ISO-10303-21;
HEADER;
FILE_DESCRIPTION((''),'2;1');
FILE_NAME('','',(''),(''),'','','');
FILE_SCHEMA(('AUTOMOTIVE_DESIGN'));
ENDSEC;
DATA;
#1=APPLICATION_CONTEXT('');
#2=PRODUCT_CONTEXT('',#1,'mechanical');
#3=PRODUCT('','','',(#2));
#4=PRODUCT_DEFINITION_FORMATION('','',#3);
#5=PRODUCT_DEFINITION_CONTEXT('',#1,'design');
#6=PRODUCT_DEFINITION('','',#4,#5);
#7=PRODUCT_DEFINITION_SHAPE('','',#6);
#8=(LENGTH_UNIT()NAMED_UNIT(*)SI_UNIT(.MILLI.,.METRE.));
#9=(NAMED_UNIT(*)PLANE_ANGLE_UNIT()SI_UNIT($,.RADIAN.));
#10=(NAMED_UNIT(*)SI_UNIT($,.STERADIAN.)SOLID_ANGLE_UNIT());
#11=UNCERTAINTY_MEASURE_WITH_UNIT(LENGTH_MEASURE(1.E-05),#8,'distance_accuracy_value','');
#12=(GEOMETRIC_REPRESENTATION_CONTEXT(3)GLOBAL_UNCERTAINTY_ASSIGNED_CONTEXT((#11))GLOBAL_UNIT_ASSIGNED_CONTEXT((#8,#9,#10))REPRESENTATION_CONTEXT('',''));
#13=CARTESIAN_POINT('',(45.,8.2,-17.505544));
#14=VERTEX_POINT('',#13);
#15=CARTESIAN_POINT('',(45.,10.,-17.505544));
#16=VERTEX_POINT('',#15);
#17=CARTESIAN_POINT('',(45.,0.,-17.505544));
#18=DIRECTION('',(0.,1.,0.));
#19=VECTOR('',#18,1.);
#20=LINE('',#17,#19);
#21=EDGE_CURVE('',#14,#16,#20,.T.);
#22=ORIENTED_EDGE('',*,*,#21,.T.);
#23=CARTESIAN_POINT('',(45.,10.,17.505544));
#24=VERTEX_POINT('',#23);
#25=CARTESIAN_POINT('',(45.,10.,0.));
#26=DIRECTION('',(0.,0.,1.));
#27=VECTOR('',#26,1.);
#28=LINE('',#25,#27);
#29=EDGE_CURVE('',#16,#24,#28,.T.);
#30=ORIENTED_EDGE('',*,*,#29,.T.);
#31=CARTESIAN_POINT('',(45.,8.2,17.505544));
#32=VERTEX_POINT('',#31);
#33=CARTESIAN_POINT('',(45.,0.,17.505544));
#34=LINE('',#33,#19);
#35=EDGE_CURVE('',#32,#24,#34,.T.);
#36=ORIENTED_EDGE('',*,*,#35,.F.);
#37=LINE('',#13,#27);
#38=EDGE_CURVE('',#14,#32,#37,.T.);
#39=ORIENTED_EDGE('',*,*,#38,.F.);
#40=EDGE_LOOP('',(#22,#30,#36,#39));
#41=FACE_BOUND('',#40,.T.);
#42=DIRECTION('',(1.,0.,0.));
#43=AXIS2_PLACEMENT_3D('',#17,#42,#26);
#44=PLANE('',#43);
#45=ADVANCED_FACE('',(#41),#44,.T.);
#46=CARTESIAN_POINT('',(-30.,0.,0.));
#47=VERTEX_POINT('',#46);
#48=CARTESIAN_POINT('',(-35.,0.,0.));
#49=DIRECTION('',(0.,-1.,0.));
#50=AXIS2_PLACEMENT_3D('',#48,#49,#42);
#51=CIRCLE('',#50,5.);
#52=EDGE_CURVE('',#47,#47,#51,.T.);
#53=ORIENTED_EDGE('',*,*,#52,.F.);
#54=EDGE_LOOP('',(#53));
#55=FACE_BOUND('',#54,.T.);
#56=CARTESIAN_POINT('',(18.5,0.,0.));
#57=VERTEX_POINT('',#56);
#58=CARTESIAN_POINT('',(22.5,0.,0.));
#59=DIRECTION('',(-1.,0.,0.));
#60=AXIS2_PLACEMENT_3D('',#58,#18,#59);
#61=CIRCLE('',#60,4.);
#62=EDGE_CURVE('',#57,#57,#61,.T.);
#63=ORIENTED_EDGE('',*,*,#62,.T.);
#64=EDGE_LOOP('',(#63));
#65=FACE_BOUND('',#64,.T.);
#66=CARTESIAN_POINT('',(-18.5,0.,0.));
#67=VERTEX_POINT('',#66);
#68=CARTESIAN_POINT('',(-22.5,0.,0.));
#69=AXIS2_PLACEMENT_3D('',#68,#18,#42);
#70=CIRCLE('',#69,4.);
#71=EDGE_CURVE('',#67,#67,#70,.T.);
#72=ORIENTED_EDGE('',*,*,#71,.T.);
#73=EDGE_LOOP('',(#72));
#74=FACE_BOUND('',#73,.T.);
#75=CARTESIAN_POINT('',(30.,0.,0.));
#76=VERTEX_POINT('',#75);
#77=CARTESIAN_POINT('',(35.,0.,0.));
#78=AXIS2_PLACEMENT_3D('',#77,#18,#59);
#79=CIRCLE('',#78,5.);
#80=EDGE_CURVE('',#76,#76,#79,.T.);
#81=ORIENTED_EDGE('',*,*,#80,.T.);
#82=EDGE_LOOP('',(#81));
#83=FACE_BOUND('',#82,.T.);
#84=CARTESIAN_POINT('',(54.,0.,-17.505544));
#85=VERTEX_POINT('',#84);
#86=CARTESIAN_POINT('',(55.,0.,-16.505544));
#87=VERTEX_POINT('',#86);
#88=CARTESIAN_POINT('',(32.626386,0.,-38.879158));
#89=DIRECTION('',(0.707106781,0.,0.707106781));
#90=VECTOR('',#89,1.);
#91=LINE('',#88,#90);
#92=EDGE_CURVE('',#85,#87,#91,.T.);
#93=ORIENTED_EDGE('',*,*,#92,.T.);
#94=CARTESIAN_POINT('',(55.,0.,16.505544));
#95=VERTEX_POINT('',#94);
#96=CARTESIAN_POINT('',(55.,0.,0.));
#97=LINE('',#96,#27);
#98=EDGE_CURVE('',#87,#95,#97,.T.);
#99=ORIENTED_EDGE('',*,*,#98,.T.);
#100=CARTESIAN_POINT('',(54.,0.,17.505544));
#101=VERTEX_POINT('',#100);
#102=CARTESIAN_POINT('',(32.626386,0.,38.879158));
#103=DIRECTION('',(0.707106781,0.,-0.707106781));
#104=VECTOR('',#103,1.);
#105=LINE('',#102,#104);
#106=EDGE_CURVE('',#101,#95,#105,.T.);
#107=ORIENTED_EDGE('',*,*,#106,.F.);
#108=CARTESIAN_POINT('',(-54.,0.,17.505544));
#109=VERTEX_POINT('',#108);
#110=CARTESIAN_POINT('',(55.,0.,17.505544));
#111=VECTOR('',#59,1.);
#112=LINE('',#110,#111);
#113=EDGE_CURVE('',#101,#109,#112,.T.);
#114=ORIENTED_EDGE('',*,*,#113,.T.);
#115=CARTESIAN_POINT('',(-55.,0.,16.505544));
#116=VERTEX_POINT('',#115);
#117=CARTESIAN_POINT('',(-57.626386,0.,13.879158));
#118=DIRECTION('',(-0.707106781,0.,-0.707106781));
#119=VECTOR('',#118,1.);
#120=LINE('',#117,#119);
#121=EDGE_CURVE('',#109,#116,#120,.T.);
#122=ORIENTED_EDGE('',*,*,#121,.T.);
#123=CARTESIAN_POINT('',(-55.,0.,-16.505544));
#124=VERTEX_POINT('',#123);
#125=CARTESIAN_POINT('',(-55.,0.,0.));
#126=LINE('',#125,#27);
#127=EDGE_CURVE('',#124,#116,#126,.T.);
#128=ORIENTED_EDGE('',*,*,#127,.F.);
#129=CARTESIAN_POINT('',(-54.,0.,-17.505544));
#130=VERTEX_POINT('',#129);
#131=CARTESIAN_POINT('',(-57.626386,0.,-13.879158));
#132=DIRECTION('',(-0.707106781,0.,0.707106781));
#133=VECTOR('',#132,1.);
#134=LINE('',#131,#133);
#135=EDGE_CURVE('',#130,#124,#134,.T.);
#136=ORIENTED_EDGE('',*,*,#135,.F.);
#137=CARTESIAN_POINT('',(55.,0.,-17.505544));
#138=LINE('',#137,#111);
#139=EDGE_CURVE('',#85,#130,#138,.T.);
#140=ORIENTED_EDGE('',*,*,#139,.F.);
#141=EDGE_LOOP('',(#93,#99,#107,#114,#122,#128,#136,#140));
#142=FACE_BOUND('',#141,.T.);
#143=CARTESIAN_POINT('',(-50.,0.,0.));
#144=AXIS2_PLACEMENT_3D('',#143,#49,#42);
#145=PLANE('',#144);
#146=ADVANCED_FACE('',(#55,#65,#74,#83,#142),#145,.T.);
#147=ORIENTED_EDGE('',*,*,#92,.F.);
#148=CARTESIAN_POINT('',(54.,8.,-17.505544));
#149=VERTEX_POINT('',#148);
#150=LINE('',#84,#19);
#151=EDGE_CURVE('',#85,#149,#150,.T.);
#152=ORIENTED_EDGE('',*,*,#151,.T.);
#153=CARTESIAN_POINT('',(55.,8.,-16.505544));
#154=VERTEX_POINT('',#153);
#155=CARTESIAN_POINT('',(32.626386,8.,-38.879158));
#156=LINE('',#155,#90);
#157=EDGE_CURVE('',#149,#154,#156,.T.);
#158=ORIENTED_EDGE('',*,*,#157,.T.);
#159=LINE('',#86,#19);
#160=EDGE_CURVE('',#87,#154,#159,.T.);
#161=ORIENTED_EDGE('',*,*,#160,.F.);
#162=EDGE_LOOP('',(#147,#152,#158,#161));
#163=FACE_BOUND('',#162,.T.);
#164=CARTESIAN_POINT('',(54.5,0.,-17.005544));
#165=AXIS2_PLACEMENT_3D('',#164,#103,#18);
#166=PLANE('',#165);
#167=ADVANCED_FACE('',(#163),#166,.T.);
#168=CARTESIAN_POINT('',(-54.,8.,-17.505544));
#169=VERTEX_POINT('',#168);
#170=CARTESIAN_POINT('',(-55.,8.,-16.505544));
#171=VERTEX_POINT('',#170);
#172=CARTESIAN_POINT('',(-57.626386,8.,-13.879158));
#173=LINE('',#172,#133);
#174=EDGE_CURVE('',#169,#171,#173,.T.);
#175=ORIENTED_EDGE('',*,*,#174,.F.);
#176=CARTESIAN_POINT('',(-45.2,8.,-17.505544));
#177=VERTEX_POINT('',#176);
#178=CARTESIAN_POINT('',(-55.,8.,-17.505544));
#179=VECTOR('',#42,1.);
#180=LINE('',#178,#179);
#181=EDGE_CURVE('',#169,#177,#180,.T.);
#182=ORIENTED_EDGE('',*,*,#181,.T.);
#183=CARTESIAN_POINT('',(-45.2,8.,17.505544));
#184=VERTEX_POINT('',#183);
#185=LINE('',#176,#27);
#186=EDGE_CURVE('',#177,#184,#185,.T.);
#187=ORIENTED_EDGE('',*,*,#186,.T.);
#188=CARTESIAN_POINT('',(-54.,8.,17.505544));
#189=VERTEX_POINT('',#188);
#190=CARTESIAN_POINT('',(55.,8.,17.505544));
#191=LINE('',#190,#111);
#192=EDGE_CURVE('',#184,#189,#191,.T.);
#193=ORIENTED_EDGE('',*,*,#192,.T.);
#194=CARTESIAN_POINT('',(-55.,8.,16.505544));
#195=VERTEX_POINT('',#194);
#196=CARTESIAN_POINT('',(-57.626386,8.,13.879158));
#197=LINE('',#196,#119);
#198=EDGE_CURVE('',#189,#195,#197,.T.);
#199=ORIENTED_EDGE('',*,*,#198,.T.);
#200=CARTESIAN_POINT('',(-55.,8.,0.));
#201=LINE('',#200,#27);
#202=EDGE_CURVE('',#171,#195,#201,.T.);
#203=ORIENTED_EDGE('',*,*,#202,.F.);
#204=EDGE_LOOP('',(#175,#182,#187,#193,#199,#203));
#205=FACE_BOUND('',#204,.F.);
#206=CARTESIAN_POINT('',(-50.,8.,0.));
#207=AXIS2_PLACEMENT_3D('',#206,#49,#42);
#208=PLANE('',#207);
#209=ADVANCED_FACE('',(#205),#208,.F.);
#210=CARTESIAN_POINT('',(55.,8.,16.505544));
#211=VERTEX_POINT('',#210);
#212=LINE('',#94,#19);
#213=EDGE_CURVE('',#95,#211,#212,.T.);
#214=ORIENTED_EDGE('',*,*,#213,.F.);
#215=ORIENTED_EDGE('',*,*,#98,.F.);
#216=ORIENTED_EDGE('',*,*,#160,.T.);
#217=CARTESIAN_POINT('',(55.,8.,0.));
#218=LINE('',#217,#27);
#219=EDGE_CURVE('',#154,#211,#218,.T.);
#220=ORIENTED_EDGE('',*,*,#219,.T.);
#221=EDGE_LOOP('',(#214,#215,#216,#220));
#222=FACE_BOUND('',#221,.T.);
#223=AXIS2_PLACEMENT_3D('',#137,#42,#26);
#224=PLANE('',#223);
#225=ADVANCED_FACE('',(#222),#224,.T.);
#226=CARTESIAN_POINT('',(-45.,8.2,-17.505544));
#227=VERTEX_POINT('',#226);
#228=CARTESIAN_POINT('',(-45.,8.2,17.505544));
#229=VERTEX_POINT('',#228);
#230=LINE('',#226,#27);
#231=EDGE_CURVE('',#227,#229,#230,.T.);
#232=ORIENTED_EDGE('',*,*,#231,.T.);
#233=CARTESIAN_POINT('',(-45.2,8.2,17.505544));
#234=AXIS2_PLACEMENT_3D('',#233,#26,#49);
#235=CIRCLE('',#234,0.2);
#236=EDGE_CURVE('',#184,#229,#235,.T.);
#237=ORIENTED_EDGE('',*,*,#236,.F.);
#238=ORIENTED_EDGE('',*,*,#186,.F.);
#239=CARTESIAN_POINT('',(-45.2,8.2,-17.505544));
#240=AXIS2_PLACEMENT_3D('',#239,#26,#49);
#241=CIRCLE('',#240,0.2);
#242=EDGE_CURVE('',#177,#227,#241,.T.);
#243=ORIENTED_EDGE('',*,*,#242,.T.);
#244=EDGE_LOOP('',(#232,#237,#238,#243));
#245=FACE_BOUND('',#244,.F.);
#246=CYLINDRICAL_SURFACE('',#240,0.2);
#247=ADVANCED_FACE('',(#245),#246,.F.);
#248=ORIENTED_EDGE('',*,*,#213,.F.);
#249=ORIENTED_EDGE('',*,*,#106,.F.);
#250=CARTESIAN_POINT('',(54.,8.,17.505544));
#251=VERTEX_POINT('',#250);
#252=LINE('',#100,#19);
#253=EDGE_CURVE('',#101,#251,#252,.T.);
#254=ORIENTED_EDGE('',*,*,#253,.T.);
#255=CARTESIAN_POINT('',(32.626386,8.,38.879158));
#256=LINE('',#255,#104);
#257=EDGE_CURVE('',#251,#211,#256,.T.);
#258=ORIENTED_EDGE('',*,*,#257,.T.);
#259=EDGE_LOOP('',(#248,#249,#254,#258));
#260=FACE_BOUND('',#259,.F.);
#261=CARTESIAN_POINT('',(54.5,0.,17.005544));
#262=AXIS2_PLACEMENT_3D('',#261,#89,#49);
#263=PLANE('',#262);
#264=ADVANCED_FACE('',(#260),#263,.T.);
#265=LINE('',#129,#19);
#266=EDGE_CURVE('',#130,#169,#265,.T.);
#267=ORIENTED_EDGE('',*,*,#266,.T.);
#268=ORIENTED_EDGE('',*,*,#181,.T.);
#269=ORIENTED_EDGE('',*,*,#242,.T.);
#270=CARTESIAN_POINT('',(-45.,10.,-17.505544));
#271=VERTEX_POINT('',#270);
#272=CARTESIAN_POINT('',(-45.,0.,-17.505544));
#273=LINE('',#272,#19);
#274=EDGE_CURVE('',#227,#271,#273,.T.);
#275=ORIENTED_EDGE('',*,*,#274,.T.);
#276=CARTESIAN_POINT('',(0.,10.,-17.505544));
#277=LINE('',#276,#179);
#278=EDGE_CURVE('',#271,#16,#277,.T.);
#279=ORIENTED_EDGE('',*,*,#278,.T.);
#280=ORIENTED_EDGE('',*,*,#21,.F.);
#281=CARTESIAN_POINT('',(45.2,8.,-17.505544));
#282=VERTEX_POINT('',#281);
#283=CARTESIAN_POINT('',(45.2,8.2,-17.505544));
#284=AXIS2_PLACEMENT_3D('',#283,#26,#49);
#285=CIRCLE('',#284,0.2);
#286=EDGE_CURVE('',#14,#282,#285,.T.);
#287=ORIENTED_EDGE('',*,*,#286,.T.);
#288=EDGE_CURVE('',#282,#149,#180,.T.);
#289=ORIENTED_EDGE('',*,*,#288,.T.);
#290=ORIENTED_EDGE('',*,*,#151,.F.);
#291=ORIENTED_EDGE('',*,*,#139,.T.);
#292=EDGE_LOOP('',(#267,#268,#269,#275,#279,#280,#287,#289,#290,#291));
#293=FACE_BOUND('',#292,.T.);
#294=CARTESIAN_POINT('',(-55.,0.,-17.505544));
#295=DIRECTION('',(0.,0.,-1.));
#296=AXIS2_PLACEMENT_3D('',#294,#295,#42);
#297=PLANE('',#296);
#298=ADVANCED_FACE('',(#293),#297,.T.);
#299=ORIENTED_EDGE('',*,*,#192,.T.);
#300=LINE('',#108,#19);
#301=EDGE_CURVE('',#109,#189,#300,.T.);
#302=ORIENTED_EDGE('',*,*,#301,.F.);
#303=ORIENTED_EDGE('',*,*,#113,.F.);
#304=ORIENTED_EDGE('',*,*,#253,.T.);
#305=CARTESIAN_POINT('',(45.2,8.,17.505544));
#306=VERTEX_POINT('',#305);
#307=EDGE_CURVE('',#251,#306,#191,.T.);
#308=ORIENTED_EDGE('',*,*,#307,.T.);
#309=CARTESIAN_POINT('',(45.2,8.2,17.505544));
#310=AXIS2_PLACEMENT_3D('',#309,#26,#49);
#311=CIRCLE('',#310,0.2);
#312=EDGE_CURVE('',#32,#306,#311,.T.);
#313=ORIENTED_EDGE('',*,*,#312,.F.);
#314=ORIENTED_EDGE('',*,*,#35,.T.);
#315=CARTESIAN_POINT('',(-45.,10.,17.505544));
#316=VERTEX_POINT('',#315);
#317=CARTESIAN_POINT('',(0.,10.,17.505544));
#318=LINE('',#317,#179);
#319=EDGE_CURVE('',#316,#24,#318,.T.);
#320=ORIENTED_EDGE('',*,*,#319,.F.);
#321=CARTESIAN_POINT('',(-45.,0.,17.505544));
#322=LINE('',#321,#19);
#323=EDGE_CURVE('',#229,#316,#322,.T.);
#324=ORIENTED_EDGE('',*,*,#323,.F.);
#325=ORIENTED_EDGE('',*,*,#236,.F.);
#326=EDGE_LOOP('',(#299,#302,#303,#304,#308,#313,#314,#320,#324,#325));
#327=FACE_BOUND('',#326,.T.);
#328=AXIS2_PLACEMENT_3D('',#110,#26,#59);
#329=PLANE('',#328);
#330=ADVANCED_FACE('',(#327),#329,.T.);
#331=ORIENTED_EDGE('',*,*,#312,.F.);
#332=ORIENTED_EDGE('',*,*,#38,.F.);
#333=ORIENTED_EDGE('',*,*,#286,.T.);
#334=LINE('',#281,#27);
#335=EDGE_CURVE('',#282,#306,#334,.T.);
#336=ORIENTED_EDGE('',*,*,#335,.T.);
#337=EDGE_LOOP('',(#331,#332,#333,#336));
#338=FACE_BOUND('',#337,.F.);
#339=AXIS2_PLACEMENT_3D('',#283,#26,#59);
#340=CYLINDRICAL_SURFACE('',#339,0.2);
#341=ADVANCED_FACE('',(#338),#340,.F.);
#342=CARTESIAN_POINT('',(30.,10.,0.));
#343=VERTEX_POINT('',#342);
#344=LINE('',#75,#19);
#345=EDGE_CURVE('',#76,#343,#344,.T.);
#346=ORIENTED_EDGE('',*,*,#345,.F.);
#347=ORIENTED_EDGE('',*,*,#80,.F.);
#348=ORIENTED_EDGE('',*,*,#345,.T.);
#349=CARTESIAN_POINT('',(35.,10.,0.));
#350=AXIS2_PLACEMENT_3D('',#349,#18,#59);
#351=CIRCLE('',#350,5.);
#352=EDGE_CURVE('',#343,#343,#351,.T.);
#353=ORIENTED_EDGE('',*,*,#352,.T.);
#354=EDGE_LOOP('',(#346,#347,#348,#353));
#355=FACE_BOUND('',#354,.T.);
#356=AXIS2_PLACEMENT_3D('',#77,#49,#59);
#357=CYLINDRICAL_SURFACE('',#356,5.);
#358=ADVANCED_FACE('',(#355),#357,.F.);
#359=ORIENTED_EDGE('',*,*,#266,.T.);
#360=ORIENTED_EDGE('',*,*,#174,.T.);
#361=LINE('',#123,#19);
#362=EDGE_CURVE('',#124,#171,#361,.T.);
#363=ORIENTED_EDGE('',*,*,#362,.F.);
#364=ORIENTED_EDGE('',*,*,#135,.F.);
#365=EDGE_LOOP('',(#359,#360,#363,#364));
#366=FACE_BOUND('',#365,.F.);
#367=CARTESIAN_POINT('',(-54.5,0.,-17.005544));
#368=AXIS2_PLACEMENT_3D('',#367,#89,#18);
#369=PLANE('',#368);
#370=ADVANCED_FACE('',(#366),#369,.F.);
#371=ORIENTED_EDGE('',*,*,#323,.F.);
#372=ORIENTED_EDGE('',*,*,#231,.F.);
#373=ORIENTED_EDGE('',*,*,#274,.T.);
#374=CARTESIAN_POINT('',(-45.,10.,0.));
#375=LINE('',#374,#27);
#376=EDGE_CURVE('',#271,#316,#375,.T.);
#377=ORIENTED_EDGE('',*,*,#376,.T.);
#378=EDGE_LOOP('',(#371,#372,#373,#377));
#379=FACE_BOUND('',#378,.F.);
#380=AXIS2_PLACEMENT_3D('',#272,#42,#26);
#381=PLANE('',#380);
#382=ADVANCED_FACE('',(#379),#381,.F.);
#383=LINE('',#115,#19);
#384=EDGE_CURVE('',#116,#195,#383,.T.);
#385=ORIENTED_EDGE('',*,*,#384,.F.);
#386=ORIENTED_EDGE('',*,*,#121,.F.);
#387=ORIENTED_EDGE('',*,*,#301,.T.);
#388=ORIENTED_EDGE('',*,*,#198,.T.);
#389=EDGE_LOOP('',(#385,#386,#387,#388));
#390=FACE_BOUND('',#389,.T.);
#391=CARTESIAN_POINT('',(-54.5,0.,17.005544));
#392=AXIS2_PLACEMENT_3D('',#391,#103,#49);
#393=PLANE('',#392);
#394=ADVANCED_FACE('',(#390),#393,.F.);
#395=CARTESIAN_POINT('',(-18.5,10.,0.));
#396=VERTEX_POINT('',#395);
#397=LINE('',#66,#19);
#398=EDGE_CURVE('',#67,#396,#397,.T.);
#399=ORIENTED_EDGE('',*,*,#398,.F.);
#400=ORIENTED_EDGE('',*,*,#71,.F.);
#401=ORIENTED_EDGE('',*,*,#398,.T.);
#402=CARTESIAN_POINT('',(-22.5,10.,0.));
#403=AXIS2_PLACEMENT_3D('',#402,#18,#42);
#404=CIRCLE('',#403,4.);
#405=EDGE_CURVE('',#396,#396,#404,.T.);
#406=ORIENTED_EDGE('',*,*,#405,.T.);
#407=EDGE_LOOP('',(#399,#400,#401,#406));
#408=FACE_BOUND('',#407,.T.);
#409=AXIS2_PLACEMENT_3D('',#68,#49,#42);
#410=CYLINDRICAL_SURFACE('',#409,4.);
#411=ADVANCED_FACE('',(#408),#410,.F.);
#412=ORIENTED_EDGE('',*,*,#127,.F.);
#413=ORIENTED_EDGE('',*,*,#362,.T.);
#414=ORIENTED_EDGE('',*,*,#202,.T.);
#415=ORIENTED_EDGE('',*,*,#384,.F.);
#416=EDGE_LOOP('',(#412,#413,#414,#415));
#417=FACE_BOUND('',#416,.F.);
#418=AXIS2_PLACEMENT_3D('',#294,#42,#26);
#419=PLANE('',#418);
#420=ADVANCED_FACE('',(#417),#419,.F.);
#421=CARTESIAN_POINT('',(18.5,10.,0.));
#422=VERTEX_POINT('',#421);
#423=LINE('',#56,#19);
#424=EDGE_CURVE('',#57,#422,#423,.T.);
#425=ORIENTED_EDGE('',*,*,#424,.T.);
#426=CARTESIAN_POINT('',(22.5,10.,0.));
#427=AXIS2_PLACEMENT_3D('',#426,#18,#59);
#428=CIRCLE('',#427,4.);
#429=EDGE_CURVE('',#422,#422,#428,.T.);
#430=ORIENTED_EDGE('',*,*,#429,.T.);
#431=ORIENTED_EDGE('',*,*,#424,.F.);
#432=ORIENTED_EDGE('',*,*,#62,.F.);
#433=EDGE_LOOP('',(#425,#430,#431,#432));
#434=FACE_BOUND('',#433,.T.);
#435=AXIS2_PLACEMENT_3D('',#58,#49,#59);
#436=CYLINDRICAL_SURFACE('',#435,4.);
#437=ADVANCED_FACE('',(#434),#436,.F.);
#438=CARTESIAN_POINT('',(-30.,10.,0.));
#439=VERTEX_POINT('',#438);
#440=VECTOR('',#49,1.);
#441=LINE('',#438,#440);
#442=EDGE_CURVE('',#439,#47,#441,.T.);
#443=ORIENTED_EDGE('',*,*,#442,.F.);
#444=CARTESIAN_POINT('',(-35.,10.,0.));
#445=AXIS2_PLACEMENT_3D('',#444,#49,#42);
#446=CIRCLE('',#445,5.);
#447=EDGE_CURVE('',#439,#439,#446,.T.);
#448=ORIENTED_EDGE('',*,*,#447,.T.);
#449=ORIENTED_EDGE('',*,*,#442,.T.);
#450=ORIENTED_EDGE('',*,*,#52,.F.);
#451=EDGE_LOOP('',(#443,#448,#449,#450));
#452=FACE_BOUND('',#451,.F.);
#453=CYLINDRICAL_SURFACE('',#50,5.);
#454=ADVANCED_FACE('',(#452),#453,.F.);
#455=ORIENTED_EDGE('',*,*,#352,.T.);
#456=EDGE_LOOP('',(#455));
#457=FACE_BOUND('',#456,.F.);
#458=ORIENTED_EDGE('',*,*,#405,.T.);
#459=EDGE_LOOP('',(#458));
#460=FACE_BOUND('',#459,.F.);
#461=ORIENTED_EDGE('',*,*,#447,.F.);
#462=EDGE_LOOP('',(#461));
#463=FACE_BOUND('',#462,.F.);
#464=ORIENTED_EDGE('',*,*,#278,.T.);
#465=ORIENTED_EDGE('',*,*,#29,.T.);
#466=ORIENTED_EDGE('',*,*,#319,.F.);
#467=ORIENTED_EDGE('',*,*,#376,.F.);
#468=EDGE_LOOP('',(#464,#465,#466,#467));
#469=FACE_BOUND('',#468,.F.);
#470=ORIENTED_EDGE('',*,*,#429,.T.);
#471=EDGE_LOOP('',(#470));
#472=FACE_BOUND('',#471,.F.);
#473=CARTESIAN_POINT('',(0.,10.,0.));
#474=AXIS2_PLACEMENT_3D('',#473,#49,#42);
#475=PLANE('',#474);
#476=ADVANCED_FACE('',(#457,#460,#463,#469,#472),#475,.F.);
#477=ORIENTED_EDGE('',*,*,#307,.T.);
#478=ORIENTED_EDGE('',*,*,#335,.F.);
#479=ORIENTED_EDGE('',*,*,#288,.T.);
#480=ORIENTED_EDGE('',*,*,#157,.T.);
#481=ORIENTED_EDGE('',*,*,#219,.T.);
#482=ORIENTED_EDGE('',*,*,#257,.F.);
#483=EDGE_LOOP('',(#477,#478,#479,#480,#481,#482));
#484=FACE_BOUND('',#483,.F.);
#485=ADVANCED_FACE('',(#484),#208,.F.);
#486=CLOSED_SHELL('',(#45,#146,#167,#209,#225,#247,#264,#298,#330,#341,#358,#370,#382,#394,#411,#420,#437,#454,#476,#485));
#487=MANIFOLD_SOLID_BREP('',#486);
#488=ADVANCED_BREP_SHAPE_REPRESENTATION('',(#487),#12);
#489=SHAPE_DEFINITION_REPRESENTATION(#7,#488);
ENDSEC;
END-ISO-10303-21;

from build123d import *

# Parameters (mm, degrees)
F0_W     = 10
F0_H     = 35.0110880776
F0_W_2   = 90
F0_R     = 5
F1_DEPTH = 8
F2_DEPTH = 10
F3_SIZE  = 1
F4_R     = 0.2


with BuildPart() as f1:
    # F0 (on Front) → F1 (new body)
    with BuildSketch(Plane.XZ):
        with Locations((-50, 0)):
            Rectangle(F0_W, F0_H)
        Rectangle(F0_W_2, F0_H)
        with Locations((-35, 0)):
            Circle(F0_R, mode=Mode.SUBTRACT)
        with BuildLine():
            ThreePointArc((-26.5, 0), (-22.5, 4), (-18.5, 0))
            ThreePointArc((-18.5, 0), (-22.5, -4), (-26.5, 0))
        make_face(mode=Mode.SUBTRACT)
        with BuildLine():
            ThreePointArc((26.5, 0), (22.5, -4), (18.5, 0))
            ThreePointArc((18.5, 0), (22.5, 4), (26.5, 0))
        make_face(mode=Mode.SUBTRACT)
        with BuildLine():
            ThreePointArc((40, 0), (35, -5), (30, 0))
            ThreePointArc((30, 0), (35, 5), (40, 0))
        make_face(mode=Mode.SUBTRACT)
        with Locations((50, 0)):
            Rectangle(F0_W, F0_H)
    extrude(amount=-F1_DEPTH)

    # F0 (on Front) → F2 (join)
    with BuildSketch(Plane.XZ):
        Rectangle(F0_W_2, F0_H)
        with Locations((-35, 0)):
            Circle(F0_R, mode=Mode.SUBTRACT)
        with BuildLine():
            ThreePointArc((-26.5, 0), (-22.5, 4), (-18.5, 0))
            ThreePointArc((-18.5, 0), (-22.5, -4), (-26.5, 0))
        make_face(mode=Mode.SUBTRACT)
        with BuildLine():
            ThreePointArc((26.5, 0), (22.5, -4), (18.5, 0))
            ThreePointArc((18.5, 0), (22.5, 4), (26.5, 0))
        make_face(mode=Mode.SUBTRACT)
        with BuildLine():
            ThreePointArc((40, 0), (35, -5), (30, 0))
            ThreePointArc((30, 0), (35, 5), (40, 0))
        make_face(mode=Mode.SUBTRACT)
    extrude(amount=-F2_DEPTH)

    # F3
    f3_edges = [f1.edges().sort_by_distance(p)[0] for p in [
        (55, 4, -17.505544),
        (55, 4, 17.505544),
        (-55, 4, -17.505544),
        (-55, 4, 17.505544),
    ]]
    chamfer(f3_edges, length=F3_SIZE)

    # F4
    f4_edges = [f1.edges().sort_by_distance(p)[0] for p in [
        (45, 8, 0),
        (-45, 8, 0),
    ]]
    fillet(f4_edges, radius=F4_R)


solid = f1.part
